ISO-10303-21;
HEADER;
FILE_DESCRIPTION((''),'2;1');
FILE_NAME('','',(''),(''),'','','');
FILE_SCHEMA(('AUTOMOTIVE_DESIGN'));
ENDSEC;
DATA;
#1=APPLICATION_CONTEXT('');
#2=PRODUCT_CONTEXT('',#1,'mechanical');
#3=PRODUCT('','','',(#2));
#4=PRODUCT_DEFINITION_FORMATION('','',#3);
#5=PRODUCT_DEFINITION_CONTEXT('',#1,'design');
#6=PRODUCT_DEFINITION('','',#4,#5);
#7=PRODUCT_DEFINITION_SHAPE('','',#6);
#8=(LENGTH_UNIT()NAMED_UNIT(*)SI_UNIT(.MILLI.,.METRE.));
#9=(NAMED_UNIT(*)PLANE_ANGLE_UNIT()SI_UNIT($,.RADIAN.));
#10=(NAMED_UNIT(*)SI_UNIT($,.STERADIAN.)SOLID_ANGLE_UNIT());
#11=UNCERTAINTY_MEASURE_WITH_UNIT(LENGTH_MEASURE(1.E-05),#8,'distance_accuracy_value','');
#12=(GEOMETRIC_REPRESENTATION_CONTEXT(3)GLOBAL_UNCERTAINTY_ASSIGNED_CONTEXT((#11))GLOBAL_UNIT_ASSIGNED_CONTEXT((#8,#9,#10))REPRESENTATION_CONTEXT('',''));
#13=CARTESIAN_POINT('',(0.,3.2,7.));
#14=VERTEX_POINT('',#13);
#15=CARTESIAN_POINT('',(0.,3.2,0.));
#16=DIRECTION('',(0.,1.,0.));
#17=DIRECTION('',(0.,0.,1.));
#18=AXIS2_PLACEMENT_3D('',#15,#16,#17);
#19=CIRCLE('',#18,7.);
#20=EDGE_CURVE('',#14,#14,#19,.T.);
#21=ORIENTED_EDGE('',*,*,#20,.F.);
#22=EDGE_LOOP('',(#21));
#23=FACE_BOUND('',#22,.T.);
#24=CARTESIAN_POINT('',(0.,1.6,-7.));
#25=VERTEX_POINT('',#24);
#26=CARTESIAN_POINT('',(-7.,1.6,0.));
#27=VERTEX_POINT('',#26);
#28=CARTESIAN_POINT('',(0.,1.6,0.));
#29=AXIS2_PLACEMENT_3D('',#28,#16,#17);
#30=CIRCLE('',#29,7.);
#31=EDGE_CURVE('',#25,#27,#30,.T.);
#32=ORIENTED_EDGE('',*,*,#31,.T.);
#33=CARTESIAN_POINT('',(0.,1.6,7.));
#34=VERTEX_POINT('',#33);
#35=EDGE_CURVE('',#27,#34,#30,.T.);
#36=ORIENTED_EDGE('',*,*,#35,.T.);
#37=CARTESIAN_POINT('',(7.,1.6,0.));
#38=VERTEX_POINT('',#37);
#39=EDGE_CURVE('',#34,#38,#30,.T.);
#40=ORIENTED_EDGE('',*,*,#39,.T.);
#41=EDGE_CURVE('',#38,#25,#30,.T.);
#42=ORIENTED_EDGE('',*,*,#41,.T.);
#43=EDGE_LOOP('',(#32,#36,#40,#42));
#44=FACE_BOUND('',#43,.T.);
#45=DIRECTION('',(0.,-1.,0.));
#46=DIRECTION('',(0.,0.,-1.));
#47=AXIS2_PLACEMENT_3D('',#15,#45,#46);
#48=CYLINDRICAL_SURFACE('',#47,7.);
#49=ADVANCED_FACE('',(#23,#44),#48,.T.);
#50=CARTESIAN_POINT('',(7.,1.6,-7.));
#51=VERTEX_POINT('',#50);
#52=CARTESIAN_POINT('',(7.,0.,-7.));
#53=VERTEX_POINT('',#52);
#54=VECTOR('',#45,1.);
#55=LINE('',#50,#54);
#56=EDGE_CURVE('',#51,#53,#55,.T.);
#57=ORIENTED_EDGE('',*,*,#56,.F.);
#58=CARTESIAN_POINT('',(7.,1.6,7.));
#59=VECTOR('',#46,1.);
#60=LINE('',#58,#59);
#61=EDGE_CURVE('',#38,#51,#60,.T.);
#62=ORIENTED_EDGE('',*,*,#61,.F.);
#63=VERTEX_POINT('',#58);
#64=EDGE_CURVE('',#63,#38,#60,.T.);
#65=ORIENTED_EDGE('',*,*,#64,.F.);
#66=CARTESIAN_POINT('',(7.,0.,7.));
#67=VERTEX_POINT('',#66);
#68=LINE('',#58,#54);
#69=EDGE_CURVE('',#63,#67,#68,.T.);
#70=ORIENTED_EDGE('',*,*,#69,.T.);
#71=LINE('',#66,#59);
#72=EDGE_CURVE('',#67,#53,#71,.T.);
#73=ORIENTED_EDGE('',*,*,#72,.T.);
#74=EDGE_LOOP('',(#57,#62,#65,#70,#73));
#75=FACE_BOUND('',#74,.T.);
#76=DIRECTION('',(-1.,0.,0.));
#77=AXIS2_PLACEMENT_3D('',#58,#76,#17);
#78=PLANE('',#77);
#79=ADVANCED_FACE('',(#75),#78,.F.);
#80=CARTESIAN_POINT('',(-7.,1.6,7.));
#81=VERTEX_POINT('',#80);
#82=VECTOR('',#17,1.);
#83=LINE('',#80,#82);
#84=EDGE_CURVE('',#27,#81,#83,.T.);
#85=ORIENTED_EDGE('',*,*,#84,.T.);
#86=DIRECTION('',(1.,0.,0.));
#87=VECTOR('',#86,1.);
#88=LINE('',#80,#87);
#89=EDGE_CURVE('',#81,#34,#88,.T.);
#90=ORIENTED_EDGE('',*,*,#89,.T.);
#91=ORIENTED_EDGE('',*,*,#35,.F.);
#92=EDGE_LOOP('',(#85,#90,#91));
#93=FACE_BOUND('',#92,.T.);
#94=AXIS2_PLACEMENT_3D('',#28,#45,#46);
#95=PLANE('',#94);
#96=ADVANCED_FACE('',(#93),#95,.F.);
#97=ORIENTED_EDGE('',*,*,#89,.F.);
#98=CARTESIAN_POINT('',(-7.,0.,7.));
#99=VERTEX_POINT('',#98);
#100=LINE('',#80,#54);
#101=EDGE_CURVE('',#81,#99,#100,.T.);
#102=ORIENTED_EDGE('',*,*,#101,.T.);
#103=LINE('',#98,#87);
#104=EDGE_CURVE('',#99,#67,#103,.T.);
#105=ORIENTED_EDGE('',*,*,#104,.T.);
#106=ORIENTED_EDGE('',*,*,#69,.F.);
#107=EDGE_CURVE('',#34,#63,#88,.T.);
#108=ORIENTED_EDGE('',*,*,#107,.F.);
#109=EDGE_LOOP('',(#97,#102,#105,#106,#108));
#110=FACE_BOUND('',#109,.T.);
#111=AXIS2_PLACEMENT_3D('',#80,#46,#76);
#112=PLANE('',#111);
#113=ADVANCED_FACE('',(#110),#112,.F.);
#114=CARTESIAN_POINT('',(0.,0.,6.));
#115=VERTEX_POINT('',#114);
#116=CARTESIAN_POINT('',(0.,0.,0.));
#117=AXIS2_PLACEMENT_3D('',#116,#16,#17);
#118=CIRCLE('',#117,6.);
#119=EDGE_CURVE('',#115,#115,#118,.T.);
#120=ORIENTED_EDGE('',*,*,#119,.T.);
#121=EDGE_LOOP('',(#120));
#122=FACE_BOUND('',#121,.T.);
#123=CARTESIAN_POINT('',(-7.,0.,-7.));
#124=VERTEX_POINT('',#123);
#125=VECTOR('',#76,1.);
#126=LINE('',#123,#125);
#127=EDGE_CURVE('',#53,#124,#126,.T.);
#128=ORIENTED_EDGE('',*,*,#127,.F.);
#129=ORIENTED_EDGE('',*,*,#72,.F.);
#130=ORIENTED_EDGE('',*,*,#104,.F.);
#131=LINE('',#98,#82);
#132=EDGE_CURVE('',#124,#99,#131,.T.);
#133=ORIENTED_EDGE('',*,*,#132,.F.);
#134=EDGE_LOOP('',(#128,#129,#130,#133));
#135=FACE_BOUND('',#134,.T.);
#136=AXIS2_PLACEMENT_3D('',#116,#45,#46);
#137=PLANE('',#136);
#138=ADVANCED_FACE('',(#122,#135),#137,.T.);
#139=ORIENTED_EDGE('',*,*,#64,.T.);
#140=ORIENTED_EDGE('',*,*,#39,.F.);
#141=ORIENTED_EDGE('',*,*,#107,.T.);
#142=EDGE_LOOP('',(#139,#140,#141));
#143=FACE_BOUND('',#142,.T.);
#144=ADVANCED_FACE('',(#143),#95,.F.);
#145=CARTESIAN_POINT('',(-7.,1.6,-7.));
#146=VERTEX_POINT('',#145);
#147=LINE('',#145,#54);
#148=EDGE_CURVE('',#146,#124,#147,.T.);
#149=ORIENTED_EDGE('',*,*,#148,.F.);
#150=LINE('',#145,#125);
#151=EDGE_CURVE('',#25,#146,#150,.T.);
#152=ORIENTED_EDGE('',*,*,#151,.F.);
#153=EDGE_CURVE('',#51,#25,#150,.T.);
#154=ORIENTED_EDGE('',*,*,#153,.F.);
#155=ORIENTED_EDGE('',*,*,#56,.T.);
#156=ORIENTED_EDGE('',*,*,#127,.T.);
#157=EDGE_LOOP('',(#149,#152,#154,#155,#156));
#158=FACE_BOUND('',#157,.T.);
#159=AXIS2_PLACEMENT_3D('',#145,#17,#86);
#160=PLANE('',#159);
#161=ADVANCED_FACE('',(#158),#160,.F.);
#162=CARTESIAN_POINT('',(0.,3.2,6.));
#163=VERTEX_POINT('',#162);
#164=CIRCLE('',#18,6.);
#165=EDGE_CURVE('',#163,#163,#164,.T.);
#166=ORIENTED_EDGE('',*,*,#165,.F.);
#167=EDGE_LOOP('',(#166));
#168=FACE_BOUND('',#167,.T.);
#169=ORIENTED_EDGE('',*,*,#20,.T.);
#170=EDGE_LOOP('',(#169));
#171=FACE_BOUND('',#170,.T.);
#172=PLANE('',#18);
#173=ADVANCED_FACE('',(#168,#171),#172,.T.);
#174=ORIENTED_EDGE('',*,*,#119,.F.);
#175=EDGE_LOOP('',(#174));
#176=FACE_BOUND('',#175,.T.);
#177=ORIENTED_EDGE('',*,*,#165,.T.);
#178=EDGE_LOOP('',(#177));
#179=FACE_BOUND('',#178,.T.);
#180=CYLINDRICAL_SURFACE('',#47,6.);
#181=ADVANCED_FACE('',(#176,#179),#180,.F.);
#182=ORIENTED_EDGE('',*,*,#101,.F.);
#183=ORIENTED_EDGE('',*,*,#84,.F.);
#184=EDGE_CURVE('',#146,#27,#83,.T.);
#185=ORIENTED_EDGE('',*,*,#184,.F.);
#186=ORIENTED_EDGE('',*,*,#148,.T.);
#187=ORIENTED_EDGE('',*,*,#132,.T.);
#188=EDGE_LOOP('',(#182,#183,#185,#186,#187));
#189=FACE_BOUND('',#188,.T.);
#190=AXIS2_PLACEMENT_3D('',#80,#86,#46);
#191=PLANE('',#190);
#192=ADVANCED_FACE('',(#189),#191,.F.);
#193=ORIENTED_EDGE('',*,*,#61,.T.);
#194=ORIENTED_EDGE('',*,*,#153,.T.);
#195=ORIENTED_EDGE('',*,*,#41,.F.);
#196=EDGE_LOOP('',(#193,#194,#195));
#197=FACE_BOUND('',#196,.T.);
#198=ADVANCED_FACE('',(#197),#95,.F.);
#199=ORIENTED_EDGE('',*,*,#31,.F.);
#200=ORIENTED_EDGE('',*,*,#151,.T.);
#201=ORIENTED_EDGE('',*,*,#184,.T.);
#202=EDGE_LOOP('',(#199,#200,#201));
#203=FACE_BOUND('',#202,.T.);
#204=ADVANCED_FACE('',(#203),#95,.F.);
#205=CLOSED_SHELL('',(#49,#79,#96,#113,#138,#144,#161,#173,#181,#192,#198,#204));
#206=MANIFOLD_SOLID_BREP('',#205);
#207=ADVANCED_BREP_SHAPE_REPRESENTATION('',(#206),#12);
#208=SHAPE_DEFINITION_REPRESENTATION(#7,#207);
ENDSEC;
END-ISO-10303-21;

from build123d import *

# Parameters (mm, degrees)
SKETCH1_W           = 14
SKETCH1_H           = 14
BOSS_EXTRUDE1_DEPTH = 1.6
SKETCH2_R           = 7
SKETCH2_R_2         = 6
BOSS_EXTRUDE2_DEPTH = 1.6
SKETCH3_R           = 6
CUT_EXTRUDE1_DEPTH  = 2.6


with BuildPart() as part:
    # Sketch1 → Boss-Extrude1 (new body)
    with BuildSketch(Plane(origin=(0, 0, 0), x_dir=(1, 0, 0), z_dir=(0, 1, 0))):
        Rectangle(SKETCH1_W, SKETCH1_H)
    extrude(amount=BOSS_EXTRUDE1_DEPTH)

    # Sketch2 → Boss-Extrude2 (add)
    with BuildSketch(Plane(origin=(0, 1.6, 0), x_dir=(1, 0, 0), z_dir=(0, 1, 0))):
        Circle(SKETCH2_R)
        Circle(SKETCH2_R_2, mode=Mode.SUBTRACT)
    extrude(amount=BOSS_EXTRUDE2_DEPTH)

    # Sketch3 → Cut-Extrude1 (cut, through all)
    with BuildSketch(Plane(origin=(0, 1.6, 0), x_dir=(1, 0, 0), z_dir=(0, 1, 0))):
        Circle(SKETCH3_R)
    extrude(amount=-CUT_EXTRUDE1_DEPTH, mode=Mode.SUBTRACT)


solid = part.part
